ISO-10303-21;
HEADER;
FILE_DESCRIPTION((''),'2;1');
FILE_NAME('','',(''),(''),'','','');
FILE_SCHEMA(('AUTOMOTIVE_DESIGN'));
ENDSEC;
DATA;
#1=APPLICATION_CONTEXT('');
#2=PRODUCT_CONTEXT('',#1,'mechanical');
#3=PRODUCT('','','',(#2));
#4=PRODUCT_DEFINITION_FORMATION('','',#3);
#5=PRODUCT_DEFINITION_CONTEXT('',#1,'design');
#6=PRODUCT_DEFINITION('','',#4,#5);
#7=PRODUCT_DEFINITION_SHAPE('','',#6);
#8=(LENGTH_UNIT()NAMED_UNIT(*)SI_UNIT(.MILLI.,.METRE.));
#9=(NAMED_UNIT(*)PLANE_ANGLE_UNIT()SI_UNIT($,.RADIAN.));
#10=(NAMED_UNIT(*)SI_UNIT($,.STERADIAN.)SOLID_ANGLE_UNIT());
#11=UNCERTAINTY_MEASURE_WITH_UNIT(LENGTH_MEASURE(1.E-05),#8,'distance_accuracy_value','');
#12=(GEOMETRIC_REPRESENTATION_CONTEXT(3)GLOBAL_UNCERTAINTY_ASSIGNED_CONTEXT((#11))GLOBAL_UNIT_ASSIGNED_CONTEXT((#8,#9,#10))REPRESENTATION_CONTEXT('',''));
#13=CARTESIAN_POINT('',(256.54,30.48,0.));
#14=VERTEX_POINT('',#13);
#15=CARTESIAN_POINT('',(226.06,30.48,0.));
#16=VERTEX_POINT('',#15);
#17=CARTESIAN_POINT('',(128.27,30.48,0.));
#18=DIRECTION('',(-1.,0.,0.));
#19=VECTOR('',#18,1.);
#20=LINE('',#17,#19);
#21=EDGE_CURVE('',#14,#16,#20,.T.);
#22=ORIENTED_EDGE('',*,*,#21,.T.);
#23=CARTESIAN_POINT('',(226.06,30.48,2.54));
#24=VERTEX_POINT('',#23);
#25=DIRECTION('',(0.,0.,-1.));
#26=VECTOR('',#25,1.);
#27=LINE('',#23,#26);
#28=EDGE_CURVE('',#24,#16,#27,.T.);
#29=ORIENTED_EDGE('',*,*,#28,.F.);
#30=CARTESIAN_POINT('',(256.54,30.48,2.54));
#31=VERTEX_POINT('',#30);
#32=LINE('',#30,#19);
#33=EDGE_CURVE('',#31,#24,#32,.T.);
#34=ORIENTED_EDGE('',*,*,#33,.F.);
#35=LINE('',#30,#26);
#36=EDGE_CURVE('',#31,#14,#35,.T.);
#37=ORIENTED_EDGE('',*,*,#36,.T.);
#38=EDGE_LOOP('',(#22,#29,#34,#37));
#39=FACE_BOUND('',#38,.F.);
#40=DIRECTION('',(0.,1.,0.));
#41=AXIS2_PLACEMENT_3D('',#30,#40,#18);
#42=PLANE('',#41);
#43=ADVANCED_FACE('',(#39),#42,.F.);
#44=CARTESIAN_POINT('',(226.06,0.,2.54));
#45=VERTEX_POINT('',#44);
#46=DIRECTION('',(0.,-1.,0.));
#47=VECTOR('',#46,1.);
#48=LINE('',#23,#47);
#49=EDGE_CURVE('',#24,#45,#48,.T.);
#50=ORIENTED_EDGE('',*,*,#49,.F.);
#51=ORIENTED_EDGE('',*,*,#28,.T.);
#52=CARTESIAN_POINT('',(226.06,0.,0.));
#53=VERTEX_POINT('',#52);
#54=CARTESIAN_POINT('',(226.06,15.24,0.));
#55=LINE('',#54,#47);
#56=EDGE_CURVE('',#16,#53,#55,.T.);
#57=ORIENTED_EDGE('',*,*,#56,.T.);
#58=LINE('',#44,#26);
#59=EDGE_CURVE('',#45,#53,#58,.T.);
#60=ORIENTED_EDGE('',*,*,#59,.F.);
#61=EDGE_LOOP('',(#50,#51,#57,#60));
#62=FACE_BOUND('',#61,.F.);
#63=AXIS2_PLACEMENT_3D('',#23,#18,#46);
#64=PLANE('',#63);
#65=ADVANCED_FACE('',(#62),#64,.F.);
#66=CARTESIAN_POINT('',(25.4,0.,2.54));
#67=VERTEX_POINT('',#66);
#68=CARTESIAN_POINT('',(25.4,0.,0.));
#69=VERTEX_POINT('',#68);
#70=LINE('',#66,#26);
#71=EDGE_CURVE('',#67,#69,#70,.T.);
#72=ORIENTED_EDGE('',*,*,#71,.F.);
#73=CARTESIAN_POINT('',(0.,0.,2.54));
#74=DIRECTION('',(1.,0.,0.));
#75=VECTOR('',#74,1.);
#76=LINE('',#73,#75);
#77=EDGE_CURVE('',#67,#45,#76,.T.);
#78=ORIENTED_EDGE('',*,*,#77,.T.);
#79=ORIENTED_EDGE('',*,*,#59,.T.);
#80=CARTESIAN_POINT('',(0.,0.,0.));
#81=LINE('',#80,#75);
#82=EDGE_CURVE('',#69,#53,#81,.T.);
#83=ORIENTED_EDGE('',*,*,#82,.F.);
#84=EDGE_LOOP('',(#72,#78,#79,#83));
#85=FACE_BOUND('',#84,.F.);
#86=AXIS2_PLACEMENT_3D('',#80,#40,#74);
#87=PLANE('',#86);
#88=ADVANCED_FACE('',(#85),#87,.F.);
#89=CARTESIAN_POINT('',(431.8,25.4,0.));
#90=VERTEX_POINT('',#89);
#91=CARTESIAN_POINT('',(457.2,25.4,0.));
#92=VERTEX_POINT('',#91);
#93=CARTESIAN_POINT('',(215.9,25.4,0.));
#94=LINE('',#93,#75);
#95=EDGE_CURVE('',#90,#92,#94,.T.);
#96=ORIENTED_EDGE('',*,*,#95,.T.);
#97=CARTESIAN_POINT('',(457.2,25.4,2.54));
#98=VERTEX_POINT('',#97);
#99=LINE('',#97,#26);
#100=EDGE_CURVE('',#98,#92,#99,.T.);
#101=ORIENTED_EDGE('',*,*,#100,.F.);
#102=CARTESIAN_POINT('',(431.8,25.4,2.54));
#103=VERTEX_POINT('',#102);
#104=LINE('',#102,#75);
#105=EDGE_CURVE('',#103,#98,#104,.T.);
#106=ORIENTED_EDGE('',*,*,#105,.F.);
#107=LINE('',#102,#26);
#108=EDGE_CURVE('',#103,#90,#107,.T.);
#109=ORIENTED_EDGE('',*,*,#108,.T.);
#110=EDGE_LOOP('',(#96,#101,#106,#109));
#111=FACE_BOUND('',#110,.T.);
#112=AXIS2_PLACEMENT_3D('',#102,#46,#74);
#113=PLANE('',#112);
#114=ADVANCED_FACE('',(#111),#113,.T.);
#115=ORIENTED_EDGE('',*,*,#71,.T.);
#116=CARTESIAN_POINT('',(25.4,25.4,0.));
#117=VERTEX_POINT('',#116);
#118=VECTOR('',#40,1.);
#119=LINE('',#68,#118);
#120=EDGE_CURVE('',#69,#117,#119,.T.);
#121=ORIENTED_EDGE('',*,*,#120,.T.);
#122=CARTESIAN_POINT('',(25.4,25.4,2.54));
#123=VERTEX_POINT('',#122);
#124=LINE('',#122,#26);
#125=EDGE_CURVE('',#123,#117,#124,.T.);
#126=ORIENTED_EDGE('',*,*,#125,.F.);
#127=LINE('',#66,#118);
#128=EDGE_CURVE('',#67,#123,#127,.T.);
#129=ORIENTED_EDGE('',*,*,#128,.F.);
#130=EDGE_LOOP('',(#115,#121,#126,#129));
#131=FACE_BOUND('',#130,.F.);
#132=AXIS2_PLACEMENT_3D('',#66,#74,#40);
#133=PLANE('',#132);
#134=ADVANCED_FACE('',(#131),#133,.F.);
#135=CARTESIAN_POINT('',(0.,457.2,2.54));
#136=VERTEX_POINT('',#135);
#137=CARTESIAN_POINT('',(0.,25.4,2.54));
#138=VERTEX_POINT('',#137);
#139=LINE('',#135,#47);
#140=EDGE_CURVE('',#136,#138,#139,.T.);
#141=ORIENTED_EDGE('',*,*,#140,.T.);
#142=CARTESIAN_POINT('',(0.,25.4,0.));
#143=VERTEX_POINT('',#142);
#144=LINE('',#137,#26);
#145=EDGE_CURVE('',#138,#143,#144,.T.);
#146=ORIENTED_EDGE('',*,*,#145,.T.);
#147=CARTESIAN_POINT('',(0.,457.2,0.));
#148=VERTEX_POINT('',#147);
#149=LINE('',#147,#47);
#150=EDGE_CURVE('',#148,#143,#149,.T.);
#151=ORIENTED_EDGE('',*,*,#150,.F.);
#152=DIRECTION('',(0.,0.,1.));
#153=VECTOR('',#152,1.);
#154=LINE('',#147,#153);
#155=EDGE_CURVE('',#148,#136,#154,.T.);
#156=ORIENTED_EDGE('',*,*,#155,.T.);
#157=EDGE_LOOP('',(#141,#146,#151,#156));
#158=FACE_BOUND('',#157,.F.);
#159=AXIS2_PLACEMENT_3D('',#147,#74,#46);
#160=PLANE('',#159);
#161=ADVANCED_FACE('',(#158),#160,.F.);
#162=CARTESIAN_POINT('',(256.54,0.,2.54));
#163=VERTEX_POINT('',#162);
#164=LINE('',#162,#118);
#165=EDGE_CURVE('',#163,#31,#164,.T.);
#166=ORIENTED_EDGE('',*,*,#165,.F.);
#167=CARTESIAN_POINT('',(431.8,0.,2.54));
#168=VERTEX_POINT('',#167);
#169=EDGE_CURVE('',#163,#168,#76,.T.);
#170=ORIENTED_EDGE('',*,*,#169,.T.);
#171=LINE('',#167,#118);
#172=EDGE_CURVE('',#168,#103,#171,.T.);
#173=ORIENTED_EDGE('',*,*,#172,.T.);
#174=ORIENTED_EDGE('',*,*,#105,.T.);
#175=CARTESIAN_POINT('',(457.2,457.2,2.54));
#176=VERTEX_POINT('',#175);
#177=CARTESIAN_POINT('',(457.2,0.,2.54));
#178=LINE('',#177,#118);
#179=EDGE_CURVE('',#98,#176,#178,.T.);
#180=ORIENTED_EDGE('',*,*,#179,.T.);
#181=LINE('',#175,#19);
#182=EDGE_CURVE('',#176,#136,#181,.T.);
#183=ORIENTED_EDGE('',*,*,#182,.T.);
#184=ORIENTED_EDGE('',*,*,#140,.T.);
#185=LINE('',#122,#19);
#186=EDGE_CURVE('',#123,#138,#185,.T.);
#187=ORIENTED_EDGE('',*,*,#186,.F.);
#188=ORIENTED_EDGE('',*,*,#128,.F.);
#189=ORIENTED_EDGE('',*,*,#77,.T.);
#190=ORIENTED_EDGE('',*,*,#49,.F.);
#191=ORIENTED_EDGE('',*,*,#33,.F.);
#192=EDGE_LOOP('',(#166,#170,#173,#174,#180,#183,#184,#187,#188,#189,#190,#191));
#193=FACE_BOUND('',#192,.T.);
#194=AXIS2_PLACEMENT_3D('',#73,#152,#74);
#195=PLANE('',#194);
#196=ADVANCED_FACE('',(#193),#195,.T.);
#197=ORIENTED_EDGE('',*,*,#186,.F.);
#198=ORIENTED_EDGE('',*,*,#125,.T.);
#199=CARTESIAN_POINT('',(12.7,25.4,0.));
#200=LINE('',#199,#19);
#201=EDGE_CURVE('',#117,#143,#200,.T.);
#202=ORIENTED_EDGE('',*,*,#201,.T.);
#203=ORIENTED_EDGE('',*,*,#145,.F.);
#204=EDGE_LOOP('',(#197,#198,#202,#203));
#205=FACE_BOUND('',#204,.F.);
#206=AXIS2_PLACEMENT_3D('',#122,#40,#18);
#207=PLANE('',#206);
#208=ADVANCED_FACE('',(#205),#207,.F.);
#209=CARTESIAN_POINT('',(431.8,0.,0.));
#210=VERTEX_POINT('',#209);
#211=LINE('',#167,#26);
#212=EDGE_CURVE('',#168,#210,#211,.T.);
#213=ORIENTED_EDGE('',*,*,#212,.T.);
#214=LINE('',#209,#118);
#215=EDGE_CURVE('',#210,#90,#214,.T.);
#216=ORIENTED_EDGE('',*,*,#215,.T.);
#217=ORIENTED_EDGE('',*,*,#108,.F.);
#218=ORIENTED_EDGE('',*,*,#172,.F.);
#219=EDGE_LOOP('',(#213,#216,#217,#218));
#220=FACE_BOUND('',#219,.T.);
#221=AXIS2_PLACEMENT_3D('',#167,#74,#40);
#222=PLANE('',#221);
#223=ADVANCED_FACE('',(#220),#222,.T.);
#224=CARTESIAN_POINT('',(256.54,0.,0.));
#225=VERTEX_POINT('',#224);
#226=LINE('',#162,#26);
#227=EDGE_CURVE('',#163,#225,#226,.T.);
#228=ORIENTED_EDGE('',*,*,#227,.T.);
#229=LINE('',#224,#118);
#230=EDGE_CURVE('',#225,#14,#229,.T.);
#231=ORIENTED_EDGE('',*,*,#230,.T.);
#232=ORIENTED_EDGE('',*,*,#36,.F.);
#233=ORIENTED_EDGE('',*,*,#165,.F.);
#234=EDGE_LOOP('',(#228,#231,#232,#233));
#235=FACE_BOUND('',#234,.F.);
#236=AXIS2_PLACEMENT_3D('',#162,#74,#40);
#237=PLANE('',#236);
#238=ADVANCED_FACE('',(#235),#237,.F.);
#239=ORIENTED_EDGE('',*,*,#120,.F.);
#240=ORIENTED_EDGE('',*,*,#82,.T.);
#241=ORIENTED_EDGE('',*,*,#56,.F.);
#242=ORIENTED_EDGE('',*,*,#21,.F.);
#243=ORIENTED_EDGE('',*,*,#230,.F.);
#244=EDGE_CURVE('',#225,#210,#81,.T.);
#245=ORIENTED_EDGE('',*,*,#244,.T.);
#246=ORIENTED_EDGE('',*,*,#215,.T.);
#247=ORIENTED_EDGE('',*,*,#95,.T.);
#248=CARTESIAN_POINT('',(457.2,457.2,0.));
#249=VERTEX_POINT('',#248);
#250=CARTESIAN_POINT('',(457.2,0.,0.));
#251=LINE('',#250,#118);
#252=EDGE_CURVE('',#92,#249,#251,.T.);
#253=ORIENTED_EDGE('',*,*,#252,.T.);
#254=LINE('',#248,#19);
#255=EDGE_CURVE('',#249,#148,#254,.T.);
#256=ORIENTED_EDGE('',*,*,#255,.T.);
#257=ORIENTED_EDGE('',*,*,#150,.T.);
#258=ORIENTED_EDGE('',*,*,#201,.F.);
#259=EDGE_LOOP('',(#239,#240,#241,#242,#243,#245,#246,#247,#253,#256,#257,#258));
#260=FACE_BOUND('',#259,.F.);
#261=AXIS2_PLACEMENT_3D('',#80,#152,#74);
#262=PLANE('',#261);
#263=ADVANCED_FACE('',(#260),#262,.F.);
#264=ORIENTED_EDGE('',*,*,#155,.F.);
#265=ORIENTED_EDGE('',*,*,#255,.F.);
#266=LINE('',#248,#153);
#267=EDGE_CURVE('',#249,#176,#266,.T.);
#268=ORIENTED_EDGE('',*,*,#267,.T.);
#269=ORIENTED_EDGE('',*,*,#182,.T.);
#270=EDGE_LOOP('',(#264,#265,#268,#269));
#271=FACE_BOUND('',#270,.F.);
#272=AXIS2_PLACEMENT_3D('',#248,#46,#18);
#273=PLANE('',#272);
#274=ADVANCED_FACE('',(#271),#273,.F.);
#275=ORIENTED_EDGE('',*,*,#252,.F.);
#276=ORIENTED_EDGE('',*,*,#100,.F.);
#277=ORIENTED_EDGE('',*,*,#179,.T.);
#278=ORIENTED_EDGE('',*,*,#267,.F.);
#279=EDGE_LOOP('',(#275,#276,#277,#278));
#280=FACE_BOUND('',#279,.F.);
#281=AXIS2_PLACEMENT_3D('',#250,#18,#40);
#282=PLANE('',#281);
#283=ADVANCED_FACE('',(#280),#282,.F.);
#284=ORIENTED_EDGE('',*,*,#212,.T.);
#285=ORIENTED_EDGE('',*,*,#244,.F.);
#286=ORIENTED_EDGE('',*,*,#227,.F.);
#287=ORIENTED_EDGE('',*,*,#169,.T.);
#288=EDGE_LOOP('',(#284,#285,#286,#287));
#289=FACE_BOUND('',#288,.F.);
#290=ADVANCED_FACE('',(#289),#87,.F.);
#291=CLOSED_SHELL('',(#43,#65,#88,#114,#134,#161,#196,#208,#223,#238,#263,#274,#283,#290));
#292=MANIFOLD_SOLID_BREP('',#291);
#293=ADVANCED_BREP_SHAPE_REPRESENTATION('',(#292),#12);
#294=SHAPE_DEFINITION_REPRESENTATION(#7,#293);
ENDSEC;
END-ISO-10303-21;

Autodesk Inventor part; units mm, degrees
ref_plane "YZ Plane" through (0, 0, 0) normal (1, 0, 0) x (0, 1, 0)
ref_plane "XZ Plane" through (0, 0, 0) normal (0, 1, 0) x (-1, 0, 0)
ref_plane "XY Plane" through (0, 0, 0) normal (0, 0, 1) x (1, 0, 0)
sketch "Sketch1" plane through (0, 0, 0) normal (0, 0, 1) x (1, 0, 0)
  line L0 (0, 0) -> (457.2, 0)
  line L1 (457.2, 0) -> (457.2, 457.2)
  line L2 (457.2, 457.2) -> (0, 457.2)
  line L3 (0, 457.2) -> (0, 0)
  dimension "d0" = 457.2
  dimension "d1" = 457.2
extrude "Extrusion1" add sketch "Sketch1" along normal blind 2.54
sketch "Sketch2" plane through (0, 0, 2.54) normal (0, 0, 1) x (1, 0, 0)
  line L0 (0, 0) -> (457.2, 0) projected
  line L1 (0, 0) -> (25.4, 0)
  line L2 (25.4, 0) -> (25.4, 25.4)
  line L3 (25.4, 25.4) -> (0, 25.4)
  line L4 (0, 25.4) -> (0, 0)
  line L5 (457.2, 0) -> (431.8, 0)
  line L6 (431.8, 0) -> (431.8, 25.4)
  line L7 (431.8, 25.4) -> (457.2, 25.4)
  line L8 (457.2, 25.4) -> (457.2, 0)
  dimension "d4" = 25.4
  dimension "d5" = 25.4
  dimension "d6" = 25.4
  dimension "d7" = 25.4
extrude "Extrusion2" cut sketch "Sketch2" against normal blind 25.4
sketch "Sketch3" plane through (0, 0, 2.54) normal (0, 0, 1) x (1, 0, 0)
  line L0 (226.06, 0) -> (256.54, 0)
  line L1 (256.54, 0) -> (256.54, 30.48)
  line L2 (256.54, 30.48) -> (226.06, 30.48)
  line L3 (226.06, 30.48) -> (226.06, 0)
  line L4 (25.4, 0) -> (431.8, 0) projected
  line L5 (25.4, 25.4) -> (25.4, 0) projected
  line L6 (431.8, 0) -> (431.8, 25.4) projected
  point P0 (0, 0)
  dimension "d10" = 30.48
  dimension "d11" = 30.48
  dimension "d12" = 0
  dimension "d16" = 175.26
extrude "Extrusion3" cut sketch "Sketch3" against normal blind 25.4
properties part number "Circuit Board" material "Glass"
